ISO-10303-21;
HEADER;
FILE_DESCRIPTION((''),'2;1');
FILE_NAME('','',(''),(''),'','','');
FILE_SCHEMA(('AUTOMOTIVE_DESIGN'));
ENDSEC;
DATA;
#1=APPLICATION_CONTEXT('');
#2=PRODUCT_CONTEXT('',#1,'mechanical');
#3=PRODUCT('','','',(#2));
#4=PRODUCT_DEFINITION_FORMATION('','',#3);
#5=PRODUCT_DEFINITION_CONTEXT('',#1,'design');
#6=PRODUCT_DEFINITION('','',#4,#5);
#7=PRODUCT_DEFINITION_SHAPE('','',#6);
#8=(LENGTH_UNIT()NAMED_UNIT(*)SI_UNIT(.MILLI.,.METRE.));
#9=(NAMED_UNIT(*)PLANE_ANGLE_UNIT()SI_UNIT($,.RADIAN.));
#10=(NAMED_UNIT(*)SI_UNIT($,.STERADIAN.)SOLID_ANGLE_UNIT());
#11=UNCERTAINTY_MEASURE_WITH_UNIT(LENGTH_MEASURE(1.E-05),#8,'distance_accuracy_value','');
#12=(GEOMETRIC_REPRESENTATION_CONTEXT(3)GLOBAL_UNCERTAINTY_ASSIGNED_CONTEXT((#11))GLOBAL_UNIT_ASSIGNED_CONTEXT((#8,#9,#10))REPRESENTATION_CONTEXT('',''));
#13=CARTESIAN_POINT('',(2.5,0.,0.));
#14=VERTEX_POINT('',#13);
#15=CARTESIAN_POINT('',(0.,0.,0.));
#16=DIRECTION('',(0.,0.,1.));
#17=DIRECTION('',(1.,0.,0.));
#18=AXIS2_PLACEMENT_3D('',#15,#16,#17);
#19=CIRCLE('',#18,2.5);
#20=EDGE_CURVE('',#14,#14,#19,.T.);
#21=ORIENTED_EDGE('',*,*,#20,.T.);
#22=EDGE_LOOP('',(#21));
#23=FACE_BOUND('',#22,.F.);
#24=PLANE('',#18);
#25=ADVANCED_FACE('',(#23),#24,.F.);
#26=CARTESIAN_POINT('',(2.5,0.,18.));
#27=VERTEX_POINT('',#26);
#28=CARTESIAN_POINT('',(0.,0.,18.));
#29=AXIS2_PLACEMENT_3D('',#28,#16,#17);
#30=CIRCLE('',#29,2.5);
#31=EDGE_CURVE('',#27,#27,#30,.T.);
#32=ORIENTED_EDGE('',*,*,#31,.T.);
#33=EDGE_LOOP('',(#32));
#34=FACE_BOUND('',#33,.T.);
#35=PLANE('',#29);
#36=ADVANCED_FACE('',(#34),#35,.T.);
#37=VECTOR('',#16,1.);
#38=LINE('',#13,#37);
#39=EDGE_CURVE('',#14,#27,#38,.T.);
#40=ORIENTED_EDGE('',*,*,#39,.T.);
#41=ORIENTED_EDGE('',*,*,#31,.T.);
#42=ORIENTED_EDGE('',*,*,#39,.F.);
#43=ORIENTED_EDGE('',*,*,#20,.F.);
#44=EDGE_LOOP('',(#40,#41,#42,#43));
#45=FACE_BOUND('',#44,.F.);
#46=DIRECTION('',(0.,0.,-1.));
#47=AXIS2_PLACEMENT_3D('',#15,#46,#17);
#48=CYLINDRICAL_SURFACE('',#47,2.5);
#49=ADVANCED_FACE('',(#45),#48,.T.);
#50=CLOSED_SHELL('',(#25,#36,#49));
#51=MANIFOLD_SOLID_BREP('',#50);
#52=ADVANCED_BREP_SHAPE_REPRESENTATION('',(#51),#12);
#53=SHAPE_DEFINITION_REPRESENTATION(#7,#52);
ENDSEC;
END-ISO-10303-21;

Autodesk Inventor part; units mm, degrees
ref_plane "YZ Plane" through (0, 0, 0) normal (1, 0, 0) x (0, 1, 0)
ref_plane "XZ Plane" through (0, 0, 0) normal (0, 1, 0) x (-1, 0, 0)
ref_plane "XY Plane" through (0, 0, 0) normal (0, 0, 1) x (1, 0, 0)
sketch "Sketch1" plane through (0, 0, 0) normal (0, 0, 1) x (1, 0, 0)
  circle A0 centre (0, 0) radius 2.5
  dimension "d0" = 5
extrude "Extrusion1" add sketch "Sketch1" along normal blind 18
properties part number "ESAMP Handle Hole"
